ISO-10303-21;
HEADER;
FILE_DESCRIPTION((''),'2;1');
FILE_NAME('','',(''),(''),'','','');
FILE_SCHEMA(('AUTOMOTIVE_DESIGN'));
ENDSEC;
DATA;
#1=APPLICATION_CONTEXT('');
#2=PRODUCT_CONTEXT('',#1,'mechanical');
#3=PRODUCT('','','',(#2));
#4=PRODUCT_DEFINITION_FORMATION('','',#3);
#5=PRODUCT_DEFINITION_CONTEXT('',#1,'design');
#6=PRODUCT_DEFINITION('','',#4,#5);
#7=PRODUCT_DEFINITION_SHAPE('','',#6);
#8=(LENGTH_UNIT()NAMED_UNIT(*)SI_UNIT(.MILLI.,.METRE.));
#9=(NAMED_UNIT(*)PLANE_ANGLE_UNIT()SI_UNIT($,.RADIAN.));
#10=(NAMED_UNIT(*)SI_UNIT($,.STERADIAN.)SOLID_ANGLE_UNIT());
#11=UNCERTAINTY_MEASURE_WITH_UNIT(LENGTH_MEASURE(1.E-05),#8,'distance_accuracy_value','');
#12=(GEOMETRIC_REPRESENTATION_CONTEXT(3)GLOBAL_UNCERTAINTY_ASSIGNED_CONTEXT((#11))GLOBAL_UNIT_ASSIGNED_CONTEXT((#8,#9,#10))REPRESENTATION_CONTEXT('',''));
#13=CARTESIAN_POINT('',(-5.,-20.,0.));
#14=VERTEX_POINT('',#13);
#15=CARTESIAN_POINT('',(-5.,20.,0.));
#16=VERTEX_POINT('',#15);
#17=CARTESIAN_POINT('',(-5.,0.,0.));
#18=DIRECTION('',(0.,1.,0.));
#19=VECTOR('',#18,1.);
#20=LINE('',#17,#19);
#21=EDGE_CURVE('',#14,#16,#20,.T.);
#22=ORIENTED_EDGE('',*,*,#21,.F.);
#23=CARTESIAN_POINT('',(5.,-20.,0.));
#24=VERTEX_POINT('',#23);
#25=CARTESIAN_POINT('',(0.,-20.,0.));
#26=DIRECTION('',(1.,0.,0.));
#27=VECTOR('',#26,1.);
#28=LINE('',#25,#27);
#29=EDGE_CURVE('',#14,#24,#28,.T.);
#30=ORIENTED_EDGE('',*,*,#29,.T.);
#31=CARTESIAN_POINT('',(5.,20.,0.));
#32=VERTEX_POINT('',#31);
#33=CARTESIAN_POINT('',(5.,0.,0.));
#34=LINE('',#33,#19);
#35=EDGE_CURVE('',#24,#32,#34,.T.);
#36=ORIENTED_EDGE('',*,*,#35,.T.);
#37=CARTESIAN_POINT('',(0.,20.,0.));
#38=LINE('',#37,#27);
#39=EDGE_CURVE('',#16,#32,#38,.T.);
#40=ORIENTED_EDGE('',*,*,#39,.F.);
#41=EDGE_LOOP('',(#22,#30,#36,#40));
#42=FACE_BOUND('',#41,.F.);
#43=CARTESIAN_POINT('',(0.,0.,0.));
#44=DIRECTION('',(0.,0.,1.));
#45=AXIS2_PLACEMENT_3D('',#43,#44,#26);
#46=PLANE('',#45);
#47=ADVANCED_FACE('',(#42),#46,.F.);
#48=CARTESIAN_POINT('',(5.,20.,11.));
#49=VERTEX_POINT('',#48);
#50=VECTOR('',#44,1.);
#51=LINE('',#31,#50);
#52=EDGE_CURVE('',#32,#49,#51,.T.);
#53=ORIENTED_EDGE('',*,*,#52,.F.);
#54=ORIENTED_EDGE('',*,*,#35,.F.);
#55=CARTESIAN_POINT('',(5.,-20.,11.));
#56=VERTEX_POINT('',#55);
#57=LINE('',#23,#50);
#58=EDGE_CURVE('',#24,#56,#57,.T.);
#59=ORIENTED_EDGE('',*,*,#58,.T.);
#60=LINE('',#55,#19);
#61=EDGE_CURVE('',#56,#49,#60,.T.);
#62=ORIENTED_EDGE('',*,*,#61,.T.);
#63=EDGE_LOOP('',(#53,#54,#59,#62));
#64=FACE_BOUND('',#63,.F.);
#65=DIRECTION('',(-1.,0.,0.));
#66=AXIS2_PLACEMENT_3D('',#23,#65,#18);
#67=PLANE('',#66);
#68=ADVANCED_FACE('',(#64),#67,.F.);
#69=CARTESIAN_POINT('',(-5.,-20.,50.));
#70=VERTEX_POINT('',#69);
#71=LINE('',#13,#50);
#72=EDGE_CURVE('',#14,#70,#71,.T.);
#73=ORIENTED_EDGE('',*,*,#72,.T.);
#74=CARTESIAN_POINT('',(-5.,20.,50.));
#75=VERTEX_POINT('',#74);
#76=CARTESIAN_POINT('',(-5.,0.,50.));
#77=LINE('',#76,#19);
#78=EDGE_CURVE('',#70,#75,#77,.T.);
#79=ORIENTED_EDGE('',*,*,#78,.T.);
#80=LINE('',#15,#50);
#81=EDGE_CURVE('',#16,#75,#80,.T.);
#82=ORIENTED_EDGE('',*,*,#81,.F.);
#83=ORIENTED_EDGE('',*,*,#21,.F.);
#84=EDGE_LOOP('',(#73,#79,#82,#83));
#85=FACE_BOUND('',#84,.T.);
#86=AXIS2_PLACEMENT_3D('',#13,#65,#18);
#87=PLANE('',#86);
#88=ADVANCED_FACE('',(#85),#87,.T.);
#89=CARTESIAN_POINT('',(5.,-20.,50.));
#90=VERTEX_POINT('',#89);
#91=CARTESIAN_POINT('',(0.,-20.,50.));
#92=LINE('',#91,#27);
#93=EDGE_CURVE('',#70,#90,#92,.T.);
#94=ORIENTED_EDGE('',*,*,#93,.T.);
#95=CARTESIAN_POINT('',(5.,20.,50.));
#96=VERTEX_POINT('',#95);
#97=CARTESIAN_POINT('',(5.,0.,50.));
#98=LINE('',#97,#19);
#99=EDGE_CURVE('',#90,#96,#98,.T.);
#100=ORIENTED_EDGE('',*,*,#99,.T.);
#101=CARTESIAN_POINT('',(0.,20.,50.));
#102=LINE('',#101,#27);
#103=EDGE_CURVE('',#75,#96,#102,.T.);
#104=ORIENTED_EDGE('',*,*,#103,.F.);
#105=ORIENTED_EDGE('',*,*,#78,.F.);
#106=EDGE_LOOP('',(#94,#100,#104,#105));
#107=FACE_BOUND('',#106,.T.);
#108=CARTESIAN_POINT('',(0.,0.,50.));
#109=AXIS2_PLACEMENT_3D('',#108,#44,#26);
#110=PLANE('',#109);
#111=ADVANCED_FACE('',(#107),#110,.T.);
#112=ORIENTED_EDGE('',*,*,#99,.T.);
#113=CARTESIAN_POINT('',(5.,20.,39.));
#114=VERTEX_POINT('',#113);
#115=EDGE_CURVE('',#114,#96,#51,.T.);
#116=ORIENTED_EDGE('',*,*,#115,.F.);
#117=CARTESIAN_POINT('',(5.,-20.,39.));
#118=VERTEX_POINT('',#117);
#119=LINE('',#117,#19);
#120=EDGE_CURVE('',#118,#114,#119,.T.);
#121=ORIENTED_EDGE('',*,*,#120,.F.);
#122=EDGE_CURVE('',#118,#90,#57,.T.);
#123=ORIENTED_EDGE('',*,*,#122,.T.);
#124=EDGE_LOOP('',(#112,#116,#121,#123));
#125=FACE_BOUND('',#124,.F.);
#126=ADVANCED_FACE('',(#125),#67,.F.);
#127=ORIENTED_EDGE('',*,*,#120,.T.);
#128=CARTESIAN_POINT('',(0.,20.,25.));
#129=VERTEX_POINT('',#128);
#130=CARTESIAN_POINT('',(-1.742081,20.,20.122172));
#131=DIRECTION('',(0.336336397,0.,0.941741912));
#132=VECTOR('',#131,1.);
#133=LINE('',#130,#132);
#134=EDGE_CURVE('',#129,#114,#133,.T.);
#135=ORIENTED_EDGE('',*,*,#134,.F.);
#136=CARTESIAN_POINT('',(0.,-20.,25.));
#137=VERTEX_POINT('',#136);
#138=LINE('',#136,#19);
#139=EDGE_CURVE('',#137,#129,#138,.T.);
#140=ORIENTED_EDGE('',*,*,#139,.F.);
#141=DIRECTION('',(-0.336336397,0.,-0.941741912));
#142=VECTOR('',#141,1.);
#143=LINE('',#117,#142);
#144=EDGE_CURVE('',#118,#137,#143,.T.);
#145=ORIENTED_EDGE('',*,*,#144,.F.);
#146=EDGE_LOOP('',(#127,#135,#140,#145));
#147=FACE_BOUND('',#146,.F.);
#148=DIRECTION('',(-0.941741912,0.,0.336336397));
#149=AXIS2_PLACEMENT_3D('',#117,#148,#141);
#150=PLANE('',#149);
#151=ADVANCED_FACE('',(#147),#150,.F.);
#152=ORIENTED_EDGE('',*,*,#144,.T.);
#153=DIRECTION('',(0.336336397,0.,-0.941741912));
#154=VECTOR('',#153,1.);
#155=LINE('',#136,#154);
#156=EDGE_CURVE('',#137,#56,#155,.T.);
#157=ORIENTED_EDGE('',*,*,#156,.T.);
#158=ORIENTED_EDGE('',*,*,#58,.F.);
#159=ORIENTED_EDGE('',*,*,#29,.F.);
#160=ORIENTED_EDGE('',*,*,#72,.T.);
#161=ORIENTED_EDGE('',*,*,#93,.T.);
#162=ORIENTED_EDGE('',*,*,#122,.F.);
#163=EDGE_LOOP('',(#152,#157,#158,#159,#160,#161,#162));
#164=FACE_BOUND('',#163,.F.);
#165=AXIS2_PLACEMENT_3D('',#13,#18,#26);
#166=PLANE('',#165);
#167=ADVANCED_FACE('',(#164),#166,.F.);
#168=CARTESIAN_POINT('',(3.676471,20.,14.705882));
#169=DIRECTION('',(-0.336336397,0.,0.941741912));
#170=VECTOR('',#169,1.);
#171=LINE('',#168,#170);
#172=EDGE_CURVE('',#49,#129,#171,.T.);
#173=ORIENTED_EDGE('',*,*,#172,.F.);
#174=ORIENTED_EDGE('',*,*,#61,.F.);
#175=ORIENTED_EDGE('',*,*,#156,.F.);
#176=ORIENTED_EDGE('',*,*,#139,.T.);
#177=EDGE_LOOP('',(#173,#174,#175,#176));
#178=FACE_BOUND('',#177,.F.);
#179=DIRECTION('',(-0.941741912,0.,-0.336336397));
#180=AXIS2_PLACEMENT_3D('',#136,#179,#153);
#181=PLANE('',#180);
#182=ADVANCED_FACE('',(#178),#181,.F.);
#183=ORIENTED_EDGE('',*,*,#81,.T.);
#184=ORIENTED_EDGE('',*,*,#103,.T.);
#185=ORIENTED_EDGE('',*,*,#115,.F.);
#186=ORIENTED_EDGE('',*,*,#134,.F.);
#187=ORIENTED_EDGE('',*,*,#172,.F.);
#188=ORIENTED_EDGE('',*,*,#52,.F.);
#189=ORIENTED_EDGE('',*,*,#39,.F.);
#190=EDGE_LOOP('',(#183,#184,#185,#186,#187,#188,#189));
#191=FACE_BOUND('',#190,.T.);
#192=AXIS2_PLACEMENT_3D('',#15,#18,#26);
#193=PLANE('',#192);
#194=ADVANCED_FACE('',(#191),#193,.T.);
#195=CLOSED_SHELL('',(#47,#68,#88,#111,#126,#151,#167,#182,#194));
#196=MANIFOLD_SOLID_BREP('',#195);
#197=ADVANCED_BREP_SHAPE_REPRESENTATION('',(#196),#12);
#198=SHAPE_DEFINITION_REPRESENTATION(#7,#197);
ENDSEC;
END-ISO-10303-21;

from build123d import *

# Parameters (mm, degrees)
F0_W     = 10
F0_H     = 40
F1_DEPTH = 50
F3_DEPTH = 43.6


with BuildPart() as f1:
    # F0 (on Top) → F1 (new body)
    with BuildSketch(Plane.XY):
        Rectangle(F0_W, F0_H)
    extrude(amount=F1_DEPTH)

    # F2 (on face) → F3 (cut)
    with BuildSketch(Plane.XZ.offset(20)):
        Polygon((5, 11), (5, 25), (5, 39), (0, 25), align=None)
    extrude(amount=-F3_DEPTH, mode=Mode.SUBTRACT)


solid = f1.part
